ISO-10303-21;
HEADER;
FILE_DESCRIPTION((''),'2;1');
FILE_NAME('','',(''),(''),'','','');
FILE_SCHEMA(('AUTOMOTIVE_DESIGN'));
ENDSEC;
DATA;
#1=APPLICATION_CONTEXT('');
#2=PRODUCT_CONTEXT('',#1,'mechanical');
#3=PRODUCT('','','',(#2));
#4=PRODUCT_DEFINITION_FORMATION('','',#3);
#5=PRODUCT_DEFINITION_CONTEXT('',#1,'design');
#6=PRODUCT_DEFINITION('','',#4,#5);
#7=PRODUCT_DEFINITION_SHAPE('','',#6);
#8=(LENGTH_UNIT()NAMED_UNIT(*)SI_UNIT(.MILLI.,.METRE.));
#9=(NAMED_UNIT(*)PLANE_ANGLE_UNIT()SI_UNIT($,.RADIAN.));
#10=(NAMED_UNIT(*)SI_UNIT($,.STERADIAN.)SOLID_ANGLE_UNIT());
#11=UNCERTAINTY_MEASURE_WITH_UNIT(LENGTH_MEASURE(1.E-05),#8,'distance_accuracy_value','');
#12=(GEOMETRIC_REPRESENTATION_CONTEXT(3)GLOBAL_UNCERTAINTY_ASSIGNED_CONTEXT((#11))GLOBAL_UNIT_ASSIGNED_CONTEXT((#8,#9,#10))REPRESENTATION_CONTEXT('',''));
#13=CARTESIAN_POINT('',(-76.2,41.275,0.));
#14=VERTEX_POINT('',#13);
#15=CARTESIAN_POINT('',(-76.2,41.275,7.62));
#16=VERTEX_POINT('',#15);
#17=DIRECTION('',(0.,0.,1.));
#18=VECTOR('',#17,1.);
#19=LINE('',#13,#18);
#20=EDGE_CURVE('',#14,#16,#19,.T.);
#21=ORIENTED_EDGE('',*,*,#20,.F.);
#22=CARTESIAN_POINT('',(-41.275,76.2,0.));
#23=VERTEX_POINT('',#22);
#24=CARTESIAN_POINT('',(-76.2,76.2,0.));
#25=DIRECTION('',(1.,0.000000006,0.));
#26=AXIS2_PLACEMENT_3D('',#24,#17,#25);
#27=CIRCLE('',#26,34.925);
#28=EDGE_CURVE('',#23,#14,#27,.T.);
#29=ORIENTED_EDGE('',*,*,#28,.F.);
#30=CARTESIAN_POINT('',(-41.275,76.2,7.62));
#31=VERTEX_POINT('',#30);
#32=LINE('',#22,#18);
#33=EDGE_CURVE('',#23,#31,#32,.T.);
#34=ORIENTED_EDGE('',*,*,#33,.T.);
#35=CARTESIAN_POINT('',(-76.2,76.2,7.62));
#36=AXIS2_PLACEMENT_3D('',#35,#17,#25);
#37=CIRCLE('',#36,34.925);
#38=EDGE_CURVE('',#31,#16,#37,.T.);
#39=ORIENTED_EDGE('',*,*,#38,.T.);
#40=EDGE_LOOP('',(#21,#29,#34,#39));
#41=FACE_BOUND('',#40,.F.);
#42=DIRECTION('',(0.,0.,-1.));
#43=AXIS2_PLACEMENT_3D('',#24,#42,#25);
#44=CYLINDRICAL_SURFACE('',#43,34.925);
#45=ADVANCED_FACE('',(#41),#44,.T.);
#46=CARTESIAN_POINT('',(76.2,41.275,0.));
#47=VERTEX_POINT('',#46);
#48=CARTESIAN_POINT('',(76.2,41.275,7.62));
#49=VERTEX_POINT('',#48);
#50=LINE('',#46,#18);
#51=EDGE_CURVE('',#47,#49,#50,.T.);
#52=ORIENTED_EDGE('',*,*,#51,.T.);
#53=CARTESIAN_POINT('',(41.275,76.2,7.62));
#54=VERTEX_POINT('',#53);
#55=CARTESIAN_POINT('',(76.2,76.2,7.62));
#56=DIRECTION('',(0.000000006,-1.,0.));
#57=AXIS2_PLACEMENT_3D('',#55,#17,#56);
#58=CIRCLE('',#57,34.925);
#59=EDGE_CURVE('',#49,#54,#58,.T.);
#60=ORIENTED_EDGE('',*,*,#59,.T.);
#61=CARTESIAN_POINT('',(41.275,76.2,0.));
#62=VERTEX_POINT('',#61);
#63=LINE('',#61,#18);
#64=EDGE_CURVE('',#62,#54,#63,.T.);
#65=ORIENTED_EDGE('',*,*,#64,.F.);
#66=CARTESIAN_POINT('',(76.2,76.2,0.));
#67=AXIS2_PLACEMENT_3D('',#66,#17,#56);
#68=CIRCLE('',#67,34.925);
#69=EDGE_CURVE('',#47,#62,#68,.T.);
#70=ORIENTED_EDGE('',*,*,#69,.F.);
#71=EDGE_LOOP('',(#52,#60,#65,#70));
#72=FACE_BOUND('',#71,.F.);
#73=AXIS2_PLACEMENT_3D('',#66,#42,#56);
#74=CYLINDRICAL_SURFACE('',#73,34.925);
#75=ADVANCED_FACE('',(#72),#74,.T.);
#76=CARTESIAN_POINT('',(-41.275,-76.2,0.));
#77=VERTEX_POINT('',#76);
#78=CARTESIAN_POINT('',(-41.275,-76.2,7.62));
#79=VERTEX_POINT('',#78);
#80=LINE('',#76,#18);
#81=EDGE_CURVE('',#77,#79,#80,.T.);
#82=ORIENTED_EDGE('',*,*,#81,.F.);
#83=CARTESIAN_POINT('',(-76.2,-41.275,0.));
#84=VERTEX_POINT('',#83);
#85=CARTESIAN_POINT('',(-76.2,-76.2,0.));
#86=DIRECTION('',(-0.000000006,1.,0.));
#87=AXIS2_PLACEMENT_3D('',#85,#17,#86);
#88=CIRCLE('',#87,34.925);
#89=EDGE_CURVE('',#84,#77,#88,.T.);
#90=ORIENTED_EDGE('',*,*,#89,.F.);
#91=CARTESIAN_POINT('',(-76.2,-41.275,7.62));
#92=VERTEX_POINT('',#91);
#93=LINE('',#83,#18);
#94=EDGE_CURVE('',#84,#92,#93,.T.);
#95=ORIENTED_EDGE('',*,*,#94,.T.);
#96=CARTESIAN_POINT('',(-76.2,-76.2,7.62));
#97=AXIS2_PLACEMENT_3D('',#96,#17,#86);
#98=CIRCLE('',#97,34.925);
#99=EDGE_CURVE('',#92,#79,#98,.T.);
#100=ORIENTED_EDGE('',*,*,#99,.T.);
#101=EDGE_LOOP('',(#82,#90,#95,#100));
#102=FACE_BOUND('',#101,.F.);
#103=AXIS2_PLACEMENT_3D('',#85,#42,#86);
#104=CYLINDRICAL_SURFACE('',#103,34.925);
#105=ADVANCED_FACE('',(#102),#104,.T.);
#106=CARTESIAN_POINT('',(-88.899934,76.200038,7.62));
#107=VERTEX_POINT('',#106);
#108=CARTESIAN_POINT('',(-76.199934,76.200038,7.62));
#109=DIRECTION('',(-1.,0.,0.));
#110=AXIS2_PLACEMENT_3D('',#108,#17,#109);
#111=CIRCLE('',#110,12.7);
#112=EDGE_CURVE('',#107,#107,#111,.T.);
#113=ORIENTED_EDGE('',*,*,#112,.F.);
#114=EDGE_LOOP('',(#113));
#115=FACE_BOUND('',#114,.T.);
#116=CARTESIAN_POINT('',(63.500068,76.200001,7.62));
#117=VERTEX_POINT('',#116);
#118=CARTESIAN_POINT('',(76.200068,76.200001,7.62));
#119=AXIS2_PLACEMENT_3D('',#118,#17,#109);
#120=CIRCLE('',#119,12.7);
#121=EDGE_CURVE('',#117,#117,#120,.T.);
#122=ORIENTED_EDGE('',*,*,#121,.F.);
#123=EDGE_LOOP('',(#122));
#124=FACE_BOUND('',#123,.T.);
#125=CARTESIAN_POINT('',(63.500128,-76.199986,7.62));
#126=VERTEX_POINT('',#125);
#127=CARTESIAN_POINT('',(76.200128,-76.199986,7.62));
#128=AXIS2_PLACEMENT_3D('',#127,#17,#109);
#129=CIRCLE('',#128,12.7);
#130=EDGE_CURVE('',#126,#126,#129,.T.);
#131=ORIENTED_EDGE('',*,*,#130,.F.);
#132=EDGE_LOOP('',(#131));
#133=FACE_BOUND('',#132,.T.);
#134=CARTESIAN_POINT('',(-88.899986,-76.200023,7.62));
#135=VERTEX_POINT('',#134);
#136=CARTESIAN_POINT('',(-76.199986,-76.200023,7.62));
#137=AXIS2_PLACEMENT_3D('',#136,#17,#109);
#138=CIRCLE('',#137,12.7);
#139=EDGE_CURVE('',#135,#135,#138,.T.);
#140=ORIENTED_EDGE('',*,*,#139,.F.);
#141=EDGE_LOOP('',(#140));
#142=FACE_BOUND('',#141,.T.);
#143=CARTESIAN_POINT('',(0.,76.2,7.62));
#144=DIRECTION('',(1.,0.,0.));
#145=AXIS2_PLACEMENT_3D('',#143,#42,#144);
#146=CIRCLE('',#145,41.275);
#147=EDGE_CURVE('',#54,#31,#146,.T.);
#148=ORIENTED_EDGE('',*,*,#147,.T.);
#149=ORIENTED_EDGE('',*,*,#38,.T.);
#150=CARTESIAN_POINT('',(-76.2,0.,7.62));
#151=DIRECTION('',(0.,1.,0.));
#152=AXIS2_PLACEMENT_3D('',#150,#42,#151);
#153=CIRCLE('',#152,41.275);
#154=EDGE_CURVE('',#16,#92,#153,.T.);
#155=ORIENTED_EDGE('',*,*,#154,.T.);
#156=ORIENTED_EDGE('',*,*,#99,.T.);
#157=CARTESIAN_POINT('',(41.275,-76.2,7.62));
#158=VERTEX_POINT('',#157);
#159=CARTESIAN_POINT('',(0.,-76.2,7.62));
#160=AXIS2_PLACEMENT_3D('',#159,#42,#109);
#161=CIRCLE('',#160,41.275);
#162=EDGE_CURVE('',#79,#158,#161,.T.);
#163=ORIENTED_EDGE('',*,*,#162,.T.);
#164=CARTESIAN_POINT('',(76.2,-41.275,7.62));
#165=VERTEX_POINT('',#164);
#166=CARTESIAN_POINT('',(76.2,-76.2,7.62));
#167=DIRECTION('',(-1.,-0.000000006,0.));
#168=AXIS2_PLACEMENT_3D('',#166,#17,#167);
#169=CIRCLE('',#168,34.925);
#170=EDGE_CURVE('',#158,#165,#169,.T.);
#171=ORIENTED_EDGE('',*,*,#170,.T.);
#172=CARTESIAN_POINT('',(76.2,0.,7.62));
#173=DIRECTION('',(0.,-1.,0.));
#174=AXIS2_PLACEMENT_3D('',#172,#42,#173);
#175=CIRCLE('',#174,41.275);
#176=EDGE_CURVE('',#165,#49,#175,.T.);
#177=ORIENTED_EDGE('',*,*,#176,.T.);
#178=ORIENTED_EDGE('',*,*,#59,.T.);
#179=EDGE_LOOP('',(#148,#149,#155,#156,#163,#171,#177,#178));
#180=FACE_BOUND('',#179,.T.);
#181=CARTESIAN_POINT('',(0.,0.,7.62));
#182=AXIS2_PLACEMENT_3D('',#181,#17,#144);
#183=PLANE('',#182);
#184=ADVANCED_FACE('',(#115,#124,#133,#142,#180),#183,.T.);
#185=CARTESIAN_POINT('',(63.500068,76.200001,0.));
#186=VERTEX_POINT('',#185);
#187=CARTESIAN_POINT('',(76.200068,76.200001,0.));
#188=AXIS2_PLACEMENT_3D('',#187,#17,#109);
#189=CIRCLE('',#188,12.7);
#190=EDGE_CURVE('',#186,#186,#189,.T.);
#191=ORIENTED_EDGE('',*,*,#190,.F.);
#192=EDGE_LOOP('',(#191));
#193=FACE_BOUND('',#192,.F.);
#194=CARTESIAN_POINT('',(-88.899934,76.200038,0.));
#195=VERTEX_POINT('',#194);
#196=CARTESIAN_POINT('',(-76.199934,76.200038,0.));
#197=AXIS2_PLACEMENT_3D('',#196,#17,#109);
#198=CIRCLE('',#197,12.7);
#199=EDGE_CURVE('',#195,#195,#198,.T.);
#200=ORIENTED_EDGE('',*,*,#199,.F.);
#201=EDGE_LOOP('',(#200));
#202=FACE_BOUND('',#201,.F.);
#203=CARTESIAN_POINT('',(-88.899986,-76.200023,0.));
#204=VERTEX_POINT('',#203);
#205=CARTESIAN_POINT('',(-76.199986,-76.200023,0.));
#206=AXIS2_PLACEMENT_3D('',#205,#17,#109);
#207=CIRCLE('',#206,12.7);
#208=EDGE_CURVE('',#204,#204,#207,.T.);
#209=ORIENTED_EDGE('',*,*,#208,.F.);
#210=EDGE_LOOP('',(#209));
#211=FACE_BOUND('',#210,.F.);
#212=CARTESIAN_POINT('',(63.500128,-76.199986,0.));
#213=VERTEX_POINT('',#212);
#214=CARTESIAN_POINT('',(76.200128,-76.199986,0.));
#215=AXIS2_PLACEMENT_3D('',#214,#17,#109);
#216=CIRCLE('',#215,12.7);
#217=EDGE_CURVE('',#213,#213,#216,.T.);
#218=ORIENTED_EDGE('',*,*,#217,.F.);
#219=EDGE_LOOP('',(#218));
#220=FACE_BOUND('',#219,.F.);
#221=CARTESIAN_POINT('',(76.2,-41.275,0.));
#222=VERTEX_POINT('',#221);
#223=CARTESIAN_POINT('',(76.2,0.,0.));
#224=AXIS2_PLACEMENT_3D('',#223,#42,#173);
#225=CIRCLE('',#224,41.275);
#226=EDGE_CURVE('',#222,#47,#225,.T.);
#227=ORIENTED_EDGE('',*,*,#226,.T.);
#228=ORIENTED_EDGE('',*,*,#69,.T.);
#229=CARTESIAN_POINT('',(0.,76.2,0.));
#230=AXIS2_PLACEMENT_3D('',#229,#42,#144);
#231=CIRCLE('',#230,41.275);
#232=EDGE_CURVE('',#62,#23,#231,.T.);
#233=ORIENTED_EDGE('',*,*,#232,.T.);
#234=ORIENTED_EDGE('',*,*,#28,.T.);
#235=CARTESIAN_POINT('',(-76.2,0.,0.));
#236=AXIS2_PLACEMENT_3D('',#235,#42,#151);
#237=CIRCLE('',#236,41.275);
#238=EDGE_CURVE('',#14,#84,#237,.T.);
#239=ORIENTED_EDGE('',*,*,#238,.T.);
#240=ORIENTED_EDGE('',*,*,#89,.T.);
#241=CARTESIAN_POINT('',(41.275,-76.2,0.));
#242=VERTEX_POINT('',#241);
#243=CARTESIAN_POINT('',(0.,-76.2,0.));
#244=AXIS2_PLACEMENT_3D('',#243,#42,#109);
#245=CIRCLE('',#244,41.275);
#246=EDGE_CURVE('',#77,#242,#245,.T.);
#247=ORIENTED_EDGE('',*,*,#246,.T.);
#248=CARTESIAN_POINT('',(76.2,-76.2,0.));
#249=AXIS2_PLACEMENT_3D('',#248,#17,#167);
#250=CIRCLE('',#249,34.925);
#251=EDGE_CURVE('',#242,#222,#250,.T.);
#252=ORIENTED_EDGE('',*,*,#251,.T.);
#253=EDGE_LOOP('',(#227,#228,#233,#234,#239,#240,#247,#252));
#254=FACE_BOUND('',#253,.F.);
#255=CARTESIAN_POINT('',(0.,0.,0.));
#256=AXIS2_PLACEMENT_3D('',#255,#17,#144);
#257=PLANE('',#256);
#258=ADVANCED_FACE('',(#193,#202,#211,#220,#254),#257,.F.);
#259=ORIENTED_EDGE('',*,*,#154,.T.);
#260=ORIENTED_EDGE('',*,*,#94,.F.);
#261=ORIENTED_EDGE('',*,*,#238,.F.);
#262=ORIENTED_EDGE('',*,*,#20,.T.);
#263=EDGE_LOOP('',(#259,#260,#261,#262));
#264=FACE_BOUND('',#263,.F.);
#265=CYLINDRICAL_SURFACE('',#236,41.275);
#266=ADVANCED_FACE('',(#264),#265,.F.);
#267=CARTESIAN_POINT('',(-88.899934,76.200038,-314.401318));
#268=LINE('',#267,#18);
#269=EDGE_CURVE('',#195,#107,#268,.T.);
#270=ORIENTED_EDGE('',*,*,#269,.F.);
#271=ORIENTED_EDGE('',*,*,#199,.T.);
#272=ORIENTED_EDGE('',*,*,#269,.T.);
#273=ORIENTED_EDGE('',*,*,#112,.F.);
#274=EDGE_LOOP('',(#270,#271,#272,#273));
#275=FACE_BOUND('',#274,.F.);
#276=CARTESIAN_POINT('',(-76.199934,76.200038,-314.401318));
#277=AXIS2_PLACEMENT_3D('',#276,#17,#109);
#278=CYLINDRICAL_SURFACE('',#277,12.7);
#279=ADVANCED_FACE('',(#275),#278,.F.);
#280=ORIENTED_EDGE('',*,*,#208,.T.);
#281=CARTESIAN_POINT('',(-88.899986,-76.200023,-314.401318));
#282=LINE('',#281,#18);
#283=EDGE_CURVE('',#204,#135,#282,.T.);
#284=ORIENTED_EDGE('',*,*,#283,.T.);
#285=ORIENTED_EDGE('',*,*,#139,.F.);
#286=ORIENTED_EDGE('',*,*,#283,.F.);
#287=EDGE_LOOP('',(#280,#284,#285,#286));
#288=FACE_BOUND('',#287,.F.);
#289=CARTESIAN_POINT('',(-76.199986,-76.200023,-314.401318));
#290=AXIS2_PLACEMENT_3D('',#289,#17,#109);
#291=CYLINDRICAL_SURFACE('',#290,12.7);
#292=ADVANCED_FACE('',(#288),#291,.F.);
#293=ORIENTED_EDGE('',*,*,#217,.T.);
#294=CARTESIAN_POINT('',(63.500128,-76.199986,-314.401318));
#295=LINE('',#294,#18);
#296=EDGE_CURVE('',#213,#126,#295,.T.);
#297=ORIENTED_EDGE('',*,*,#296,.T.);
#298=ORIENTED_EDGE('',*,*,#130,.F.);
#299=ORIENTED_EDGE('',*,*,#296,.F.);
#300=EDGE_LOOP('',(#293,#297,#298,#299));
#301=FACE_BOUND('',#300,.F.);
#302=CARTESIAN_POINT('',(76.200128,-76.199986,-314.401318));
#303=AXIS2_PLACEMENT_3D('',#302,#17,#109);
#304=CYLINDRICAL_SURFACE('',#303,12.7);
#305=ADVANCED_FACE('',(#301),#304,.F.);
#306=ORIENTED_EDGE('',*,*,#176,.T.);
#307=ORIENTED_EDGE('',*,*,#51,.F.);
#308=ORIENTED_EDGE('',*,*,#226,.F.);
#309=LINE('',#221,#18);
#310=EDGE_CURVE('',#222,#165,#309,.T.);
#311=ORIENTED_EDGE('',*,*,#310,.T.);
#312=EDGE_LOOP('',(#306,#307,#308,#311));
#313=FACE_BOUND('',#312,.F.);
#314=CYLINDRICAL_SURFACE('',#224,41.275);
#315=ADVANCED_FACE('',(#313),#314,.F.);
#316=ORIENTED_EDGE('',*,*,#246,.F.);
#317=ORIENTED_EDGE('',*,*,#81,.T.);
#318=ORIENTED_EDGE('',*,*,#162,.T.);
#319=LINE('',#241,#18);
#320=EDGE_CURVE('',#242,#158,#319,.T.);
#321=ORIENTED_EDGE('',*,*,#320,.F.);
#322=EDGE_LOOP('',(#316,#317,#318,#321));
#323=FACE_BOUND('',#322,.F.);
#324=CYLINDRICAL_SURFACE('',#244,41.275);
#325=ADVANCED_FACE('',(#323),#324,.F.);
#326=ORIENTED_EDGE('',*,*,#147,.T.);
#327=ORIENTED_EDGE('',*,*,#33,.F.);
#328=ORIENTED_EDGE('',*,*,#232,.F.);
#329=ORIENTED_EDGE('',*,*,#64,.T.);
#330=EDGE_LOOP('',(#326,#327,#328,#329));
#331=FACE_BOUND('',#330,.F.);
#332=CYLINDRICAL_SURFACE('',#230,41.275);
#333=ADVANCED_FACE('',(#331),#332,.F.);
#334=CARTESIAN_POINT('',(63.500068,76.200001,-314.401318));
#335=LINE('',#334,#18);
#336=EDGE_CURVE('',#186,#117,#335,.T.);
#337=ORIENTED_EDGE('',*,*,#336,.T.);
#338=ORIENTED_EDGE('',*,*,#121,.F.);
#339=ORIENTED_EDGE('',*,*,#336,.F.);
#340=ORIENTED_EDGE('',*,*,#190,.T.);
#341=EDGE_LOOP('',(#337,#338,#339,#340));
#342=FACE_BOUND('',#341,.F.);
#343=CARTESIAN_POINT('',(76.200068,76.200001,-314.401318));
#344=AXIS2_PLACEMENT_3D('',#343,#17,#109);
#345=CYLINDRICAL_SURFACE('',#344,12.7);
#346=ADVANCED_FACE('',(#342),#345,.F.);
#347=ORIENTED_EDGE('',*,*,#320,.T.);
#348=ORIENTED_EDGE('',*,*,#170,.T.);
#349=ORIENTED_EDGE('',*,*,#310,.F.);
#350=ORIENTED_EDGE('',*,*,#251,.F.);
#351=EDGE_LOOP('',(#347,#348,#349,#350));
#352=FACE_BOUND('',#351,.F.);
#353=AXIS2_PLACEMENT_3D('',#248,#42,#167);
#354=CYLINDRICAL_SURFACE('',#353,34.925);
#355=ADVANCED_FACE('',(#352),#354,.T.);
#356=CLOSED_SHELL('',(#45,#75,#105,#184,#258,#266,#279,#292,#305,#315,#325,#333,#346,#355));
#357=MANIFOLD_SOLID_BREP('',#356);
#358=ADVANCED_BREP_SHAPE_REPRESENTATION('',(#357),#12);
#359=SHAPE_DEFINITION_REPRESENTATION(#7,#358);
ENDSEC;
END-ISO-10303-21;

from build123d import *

# Parameters (mm, degrees)
F1_DEPTH = 7.62
F3_D     = 25.4
F5_D     = 25.4


with BuildPart() as f1:
    # F0 (on Top) → F1 (new body)
    with BuildSketch(Plane.XY):
        with BuildLine():
            ThreePointArc((41.275, 76.2), (0, 34.925), (-41.275, 76.2))
            ThreePointArc((-41.275, 76.2), (-100.895704, 100.895704), (-76.2, 41.275))
            ThreePointArc((-76.2, 41.275), (-34.925, 0), (-76.2, -41.275))
            ThreePointArc((-76.2, -41.275), (-100.895704, -100.895704), (-41.275, -76.2))
            ThreePointArc((-41.275, -76.2), (0, -34.925), (41.275, -76.2))
            ThreePointArc((41.275, -76.2), (100.895704, -100.895704), (76.2, -41.275))
            ThreePointArc((76.2, -41.275), (34.925, 0), (76.2, 41.275))
            ThreePointArc((76.2, 41.275), (100.895704, 100.895704), (41.275, 76.2))
        make_face()
    extrude(amount=F1_DEPTH)

    # F3 (through all)
    with Locations(Plane(origin=(0, 0, 0), x_dir=(1, 0, 0), z_dir=(0, 0, -1))):
        with Locations((-76.199986, 76.200023)):
            Hole(F3_D / 2)

    # F5 (through all)
    with Locations(Plane(origin=(0, 0, 0), x_dir=(1, 0, 0), z_dir=(0, 0, -1))):
        with Locations((-76.199934, -76.200038), (76.200068, -76.200001), (76.200128, 76.199986)):
            Hole(F5_D / 2)


solid = f1.part
